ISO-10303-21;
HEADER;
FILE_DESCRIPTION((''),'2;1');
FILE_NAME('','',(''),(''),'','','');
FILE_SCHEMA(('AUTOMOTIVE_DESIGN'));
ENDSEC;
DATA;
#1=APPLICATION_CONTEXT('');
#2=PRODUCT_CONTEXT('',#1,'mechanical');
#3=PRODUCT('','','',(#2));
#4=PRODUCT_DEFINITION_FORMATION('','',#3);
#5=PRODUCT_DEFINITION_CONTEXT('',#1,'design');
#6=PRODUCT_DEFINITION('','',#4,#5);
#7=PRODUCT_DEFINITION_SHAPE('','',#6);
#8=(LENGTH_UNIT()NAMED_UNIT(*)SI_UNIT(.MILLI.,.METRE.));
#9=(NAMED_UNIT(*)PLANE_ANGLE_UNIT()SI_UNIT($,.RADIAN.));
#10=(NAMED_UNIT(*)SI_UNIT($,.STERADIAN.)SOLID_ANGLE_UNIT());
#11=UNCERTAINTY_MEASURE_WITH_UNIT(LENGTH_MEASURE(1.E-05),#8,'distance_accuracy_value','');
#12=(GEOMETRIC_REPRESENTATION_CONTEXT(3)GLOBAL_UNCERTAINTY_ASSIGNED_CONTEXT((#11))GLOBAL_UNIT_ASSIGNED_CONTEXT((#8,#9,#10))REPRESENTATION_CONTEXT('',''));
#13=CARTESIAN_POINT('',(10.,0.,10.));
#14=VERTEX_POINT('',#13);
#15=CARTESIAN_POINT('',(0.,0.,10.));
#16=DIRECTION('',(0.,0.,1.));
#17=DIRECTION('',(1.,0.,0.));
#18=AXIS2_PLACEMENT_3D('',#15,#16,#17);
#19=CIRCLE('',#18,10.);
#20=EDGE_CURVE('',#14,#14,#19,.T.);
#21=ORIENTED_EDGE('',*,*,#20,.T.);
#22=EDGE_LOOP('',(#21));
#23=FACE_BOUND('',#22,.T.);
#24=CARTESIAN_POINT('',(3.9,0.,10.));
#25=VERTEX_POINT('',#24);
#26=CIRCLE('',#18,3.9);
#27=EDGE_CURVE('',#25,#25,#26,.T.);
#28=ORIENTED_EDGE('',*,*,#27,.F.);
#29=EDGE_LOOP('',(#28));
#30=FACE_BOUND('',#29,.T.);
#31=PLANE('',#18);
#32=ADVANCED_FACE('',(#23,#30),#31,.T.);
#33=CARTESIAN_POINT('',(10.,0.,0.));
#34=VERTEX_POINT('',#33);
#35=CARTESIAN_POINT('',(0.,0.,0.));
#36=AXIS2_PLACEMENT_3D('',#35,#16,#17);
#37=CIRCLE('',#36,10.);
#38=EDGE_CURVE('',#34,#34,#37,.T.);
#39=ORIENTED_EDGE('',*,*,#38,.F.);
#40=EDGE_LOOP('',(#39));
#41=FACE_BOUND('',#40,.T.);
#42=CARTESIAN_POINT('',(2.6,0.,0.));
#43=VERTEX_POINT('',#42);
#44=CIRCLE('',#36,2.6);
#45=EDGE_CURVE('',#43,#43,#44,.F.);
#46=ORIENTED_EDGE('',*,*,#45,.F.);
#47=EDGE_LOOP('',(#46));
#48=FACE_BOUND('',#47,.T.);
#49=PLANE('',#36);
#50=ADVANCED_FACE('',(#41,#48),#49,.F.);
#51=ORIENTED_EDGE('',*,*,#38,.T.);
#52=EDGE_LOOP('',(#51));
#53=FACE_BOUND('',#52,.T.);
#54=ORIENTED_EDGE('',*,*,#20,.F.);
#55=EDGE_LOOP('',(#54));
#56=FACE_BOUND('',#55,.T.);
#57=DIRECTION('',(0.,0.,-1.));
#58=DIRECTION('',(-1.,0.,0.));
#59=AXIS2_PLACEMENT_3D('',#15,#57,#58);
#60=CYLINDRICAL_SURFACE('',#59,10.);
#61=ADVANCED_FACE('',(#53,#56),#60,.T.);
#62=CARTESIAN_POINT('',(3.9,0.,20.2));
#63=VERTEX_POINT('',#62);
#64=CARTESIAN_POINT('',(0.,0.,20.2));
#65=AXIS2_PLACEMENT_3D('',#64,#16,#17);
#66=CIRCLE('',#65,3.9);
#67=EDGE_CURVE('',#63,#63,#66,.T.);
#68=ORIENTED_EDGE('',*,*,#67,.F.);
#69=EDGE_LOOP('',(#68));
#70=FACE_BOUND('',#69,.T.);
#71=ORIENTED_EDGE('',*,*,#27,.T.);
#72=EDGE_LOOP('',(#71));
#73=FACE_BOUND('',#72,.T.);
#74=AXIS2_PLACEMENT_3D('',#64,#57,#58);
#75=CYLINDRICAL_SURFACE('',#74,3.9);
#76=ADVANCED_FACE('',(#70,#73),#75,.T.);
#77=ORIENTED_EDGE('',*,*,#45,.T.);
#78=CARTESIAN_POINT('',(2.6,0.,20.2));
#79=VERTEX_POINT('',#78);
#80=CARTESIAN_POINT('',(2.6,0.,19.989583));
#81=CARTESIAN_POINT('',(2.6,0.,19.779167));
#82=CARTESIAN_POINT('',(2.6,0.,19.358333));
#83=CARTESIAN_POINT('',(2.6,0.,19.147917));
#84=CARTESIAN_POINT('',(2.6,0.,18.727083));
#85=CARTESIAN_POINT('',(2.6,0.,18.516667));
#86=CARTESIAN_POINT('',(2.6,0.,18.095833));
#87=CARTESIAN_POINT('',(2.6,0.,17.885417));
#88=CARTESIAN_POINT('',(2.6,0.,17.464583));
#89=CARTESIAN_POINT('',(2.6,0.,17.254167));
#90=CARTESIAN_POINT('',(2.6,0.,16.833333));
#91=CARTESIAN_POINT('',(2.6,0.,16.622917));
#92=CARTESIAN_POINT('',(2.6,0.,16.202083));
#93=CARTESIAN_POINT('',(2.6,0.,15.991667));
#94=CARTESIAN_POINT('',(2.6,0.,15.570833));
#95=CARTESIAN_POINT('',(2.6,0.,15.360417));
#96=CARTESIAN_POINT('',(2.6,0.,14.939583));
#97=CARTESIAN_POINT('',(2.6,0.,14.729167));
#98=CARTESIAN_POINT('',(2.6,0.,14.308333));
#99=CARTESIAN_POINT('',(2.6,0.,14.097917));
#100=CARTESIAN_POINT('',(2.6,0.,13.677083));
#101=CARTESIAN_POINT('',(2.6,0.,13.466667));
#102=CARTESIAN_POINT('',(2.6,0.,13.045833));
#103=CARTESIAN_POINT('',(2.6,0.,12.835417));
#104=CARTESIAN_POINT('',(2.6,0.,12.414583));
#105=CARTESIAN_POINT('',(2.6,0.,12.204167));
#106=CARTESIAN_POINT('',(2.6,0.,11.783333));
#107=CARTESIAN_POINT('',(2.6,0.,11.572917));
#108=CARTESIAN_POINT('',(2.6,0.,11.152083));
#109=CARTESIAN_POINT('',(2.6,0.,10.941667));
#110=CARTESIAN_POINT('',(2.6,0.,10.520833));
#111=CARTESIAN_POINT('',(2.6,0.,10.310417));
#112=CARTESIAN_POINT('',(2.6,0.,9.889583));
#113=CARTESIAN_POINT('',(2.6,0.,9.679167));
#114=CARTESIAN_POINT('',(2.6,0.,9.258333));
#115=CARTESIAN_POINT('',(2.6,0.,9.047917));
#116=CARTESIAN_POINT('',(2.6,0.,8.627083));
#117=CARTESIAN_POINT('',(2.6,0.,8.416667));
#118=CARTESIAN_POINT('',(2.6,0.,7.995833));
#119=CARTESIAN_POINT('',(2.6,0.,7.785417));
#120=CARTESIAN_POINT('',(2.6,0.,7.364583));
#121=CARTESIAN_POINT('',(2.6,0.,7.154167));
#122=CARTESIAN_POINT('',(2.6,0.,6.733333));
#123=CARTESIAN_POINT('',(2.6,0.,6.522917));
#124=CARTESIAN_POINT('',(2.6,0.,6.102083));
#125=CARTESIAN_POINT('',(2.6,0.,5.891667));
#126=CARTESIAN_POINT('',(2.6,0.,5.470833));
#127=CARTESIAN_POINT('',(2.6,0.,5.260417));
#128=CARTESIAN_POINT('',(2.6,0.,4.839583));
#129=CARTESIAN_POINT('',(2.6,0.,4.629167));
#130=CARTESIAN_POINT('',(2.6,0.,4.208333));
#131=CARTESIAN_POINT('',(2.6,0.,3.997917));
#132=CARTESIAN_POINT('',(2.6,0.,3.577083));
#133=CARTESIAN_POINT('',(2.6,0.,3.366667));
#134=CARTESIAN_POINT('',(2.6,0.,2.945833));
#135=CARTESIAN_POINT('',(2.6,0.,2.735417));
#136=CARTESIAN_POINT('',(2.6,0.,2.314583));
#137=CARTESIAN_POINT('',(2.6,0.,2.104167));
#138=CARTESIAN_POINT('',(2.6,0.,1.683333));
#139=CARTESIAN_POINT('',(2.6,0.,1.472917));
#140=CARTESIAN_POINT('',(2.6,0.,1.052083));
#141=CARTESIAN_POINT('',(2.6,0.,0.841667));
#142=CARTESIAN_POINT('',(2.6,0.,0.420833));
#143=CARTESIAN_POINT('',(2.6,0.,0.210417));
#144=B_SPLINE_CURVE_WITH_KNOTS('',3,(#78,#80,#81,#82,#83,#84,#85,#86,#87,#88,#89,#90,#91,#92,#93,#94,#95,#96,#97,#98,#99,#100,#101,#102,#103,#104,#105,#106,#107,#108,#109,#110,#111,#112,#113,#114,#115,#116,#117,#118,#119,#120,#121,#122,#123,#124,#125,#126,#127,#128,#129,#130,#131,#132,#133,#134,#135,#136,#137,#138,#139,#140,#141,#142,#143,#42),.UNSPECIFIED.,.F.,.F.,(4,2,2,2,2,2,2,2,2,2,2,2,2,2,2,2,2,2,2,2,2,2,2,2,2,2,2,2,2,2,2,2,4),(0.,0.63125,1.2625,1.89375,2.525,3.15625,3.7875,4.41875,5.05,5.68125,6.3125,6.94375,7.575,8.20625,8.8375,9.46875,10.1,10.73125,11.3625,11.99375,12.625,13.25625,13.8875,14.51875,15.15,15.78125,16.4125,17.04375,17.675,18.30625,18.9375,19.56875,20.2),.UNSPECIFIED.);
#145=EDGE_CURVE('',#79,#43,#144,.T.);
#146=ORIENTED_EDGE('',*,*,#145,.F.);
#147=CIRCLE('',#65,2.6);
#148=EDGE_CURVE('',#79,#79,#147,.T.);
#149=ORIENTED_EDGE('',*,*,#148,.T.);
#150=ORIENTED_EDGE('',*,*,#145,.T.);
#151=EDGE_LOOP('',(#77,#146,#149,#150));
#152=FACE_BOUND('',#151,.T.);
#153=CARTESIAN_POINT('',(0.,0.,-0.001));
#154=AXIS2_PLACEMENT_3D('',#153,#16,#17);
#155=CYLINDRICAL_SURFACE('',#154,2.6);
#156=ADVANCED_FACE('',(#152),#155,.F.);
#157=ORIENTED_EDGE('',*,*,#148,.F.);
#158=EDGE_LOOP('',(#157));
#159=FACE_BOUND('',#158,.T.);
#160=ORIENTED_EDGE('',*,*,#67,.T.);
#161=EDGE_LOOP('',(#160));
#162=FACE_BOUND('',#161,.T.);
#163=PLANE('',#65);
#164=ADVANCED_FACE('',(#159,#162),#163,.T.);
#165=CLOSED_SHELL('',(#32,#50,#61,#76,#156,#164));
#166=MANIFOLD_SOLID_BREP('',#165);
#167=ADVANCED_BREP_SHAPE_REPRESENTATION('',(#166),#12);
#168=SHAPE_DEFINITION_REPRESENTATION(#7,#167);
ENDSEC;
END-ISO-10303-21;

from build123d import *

# Parameters (mm, degrees)
SKETCH1_R      = 10
EXTRUDE1_DEPTH = 10
SKETCH2_R      = 3.9
EXTRUDE2_DEPTH = 10.2
EXTRUDE3_REACH = 26.658
SKETCH3_R      = 2.6


with BuildPart() as part:
    # Sketch1 → Extrude1 (new body)
    with BuildSketch(Plane.XY):
        Circle(SKETCH1_R)
    extrude(amount=EXTRUDE1_DEPTH)

    # Sketch2 → Extrude2 (add)
    with BuildSketch(Plane.XY.offset(10)):
        Circle(SKETCH2_R)
    extrude(amount=EXTRUDE2_DEPTH)

    # Sketch3 → Extrude3 (cut, up to next)
    with BuildSketch(Plane.XY.offset(20.2), mode=Mode.PRIVATE) as extrude3_sk1:
        Circle(SKETCH3_R)
    extrude3_tool1 = extrude(extrude3_sk1.sketch, amount=-EXTRUDE3_REACH, mode=Mode.PRIVATE) & part.part
    add(extrude3_tool1.solids().sort_by_distance((0, 0, 20.2))[0], mode=Mode.SUBTRACT)


solid = part.part
